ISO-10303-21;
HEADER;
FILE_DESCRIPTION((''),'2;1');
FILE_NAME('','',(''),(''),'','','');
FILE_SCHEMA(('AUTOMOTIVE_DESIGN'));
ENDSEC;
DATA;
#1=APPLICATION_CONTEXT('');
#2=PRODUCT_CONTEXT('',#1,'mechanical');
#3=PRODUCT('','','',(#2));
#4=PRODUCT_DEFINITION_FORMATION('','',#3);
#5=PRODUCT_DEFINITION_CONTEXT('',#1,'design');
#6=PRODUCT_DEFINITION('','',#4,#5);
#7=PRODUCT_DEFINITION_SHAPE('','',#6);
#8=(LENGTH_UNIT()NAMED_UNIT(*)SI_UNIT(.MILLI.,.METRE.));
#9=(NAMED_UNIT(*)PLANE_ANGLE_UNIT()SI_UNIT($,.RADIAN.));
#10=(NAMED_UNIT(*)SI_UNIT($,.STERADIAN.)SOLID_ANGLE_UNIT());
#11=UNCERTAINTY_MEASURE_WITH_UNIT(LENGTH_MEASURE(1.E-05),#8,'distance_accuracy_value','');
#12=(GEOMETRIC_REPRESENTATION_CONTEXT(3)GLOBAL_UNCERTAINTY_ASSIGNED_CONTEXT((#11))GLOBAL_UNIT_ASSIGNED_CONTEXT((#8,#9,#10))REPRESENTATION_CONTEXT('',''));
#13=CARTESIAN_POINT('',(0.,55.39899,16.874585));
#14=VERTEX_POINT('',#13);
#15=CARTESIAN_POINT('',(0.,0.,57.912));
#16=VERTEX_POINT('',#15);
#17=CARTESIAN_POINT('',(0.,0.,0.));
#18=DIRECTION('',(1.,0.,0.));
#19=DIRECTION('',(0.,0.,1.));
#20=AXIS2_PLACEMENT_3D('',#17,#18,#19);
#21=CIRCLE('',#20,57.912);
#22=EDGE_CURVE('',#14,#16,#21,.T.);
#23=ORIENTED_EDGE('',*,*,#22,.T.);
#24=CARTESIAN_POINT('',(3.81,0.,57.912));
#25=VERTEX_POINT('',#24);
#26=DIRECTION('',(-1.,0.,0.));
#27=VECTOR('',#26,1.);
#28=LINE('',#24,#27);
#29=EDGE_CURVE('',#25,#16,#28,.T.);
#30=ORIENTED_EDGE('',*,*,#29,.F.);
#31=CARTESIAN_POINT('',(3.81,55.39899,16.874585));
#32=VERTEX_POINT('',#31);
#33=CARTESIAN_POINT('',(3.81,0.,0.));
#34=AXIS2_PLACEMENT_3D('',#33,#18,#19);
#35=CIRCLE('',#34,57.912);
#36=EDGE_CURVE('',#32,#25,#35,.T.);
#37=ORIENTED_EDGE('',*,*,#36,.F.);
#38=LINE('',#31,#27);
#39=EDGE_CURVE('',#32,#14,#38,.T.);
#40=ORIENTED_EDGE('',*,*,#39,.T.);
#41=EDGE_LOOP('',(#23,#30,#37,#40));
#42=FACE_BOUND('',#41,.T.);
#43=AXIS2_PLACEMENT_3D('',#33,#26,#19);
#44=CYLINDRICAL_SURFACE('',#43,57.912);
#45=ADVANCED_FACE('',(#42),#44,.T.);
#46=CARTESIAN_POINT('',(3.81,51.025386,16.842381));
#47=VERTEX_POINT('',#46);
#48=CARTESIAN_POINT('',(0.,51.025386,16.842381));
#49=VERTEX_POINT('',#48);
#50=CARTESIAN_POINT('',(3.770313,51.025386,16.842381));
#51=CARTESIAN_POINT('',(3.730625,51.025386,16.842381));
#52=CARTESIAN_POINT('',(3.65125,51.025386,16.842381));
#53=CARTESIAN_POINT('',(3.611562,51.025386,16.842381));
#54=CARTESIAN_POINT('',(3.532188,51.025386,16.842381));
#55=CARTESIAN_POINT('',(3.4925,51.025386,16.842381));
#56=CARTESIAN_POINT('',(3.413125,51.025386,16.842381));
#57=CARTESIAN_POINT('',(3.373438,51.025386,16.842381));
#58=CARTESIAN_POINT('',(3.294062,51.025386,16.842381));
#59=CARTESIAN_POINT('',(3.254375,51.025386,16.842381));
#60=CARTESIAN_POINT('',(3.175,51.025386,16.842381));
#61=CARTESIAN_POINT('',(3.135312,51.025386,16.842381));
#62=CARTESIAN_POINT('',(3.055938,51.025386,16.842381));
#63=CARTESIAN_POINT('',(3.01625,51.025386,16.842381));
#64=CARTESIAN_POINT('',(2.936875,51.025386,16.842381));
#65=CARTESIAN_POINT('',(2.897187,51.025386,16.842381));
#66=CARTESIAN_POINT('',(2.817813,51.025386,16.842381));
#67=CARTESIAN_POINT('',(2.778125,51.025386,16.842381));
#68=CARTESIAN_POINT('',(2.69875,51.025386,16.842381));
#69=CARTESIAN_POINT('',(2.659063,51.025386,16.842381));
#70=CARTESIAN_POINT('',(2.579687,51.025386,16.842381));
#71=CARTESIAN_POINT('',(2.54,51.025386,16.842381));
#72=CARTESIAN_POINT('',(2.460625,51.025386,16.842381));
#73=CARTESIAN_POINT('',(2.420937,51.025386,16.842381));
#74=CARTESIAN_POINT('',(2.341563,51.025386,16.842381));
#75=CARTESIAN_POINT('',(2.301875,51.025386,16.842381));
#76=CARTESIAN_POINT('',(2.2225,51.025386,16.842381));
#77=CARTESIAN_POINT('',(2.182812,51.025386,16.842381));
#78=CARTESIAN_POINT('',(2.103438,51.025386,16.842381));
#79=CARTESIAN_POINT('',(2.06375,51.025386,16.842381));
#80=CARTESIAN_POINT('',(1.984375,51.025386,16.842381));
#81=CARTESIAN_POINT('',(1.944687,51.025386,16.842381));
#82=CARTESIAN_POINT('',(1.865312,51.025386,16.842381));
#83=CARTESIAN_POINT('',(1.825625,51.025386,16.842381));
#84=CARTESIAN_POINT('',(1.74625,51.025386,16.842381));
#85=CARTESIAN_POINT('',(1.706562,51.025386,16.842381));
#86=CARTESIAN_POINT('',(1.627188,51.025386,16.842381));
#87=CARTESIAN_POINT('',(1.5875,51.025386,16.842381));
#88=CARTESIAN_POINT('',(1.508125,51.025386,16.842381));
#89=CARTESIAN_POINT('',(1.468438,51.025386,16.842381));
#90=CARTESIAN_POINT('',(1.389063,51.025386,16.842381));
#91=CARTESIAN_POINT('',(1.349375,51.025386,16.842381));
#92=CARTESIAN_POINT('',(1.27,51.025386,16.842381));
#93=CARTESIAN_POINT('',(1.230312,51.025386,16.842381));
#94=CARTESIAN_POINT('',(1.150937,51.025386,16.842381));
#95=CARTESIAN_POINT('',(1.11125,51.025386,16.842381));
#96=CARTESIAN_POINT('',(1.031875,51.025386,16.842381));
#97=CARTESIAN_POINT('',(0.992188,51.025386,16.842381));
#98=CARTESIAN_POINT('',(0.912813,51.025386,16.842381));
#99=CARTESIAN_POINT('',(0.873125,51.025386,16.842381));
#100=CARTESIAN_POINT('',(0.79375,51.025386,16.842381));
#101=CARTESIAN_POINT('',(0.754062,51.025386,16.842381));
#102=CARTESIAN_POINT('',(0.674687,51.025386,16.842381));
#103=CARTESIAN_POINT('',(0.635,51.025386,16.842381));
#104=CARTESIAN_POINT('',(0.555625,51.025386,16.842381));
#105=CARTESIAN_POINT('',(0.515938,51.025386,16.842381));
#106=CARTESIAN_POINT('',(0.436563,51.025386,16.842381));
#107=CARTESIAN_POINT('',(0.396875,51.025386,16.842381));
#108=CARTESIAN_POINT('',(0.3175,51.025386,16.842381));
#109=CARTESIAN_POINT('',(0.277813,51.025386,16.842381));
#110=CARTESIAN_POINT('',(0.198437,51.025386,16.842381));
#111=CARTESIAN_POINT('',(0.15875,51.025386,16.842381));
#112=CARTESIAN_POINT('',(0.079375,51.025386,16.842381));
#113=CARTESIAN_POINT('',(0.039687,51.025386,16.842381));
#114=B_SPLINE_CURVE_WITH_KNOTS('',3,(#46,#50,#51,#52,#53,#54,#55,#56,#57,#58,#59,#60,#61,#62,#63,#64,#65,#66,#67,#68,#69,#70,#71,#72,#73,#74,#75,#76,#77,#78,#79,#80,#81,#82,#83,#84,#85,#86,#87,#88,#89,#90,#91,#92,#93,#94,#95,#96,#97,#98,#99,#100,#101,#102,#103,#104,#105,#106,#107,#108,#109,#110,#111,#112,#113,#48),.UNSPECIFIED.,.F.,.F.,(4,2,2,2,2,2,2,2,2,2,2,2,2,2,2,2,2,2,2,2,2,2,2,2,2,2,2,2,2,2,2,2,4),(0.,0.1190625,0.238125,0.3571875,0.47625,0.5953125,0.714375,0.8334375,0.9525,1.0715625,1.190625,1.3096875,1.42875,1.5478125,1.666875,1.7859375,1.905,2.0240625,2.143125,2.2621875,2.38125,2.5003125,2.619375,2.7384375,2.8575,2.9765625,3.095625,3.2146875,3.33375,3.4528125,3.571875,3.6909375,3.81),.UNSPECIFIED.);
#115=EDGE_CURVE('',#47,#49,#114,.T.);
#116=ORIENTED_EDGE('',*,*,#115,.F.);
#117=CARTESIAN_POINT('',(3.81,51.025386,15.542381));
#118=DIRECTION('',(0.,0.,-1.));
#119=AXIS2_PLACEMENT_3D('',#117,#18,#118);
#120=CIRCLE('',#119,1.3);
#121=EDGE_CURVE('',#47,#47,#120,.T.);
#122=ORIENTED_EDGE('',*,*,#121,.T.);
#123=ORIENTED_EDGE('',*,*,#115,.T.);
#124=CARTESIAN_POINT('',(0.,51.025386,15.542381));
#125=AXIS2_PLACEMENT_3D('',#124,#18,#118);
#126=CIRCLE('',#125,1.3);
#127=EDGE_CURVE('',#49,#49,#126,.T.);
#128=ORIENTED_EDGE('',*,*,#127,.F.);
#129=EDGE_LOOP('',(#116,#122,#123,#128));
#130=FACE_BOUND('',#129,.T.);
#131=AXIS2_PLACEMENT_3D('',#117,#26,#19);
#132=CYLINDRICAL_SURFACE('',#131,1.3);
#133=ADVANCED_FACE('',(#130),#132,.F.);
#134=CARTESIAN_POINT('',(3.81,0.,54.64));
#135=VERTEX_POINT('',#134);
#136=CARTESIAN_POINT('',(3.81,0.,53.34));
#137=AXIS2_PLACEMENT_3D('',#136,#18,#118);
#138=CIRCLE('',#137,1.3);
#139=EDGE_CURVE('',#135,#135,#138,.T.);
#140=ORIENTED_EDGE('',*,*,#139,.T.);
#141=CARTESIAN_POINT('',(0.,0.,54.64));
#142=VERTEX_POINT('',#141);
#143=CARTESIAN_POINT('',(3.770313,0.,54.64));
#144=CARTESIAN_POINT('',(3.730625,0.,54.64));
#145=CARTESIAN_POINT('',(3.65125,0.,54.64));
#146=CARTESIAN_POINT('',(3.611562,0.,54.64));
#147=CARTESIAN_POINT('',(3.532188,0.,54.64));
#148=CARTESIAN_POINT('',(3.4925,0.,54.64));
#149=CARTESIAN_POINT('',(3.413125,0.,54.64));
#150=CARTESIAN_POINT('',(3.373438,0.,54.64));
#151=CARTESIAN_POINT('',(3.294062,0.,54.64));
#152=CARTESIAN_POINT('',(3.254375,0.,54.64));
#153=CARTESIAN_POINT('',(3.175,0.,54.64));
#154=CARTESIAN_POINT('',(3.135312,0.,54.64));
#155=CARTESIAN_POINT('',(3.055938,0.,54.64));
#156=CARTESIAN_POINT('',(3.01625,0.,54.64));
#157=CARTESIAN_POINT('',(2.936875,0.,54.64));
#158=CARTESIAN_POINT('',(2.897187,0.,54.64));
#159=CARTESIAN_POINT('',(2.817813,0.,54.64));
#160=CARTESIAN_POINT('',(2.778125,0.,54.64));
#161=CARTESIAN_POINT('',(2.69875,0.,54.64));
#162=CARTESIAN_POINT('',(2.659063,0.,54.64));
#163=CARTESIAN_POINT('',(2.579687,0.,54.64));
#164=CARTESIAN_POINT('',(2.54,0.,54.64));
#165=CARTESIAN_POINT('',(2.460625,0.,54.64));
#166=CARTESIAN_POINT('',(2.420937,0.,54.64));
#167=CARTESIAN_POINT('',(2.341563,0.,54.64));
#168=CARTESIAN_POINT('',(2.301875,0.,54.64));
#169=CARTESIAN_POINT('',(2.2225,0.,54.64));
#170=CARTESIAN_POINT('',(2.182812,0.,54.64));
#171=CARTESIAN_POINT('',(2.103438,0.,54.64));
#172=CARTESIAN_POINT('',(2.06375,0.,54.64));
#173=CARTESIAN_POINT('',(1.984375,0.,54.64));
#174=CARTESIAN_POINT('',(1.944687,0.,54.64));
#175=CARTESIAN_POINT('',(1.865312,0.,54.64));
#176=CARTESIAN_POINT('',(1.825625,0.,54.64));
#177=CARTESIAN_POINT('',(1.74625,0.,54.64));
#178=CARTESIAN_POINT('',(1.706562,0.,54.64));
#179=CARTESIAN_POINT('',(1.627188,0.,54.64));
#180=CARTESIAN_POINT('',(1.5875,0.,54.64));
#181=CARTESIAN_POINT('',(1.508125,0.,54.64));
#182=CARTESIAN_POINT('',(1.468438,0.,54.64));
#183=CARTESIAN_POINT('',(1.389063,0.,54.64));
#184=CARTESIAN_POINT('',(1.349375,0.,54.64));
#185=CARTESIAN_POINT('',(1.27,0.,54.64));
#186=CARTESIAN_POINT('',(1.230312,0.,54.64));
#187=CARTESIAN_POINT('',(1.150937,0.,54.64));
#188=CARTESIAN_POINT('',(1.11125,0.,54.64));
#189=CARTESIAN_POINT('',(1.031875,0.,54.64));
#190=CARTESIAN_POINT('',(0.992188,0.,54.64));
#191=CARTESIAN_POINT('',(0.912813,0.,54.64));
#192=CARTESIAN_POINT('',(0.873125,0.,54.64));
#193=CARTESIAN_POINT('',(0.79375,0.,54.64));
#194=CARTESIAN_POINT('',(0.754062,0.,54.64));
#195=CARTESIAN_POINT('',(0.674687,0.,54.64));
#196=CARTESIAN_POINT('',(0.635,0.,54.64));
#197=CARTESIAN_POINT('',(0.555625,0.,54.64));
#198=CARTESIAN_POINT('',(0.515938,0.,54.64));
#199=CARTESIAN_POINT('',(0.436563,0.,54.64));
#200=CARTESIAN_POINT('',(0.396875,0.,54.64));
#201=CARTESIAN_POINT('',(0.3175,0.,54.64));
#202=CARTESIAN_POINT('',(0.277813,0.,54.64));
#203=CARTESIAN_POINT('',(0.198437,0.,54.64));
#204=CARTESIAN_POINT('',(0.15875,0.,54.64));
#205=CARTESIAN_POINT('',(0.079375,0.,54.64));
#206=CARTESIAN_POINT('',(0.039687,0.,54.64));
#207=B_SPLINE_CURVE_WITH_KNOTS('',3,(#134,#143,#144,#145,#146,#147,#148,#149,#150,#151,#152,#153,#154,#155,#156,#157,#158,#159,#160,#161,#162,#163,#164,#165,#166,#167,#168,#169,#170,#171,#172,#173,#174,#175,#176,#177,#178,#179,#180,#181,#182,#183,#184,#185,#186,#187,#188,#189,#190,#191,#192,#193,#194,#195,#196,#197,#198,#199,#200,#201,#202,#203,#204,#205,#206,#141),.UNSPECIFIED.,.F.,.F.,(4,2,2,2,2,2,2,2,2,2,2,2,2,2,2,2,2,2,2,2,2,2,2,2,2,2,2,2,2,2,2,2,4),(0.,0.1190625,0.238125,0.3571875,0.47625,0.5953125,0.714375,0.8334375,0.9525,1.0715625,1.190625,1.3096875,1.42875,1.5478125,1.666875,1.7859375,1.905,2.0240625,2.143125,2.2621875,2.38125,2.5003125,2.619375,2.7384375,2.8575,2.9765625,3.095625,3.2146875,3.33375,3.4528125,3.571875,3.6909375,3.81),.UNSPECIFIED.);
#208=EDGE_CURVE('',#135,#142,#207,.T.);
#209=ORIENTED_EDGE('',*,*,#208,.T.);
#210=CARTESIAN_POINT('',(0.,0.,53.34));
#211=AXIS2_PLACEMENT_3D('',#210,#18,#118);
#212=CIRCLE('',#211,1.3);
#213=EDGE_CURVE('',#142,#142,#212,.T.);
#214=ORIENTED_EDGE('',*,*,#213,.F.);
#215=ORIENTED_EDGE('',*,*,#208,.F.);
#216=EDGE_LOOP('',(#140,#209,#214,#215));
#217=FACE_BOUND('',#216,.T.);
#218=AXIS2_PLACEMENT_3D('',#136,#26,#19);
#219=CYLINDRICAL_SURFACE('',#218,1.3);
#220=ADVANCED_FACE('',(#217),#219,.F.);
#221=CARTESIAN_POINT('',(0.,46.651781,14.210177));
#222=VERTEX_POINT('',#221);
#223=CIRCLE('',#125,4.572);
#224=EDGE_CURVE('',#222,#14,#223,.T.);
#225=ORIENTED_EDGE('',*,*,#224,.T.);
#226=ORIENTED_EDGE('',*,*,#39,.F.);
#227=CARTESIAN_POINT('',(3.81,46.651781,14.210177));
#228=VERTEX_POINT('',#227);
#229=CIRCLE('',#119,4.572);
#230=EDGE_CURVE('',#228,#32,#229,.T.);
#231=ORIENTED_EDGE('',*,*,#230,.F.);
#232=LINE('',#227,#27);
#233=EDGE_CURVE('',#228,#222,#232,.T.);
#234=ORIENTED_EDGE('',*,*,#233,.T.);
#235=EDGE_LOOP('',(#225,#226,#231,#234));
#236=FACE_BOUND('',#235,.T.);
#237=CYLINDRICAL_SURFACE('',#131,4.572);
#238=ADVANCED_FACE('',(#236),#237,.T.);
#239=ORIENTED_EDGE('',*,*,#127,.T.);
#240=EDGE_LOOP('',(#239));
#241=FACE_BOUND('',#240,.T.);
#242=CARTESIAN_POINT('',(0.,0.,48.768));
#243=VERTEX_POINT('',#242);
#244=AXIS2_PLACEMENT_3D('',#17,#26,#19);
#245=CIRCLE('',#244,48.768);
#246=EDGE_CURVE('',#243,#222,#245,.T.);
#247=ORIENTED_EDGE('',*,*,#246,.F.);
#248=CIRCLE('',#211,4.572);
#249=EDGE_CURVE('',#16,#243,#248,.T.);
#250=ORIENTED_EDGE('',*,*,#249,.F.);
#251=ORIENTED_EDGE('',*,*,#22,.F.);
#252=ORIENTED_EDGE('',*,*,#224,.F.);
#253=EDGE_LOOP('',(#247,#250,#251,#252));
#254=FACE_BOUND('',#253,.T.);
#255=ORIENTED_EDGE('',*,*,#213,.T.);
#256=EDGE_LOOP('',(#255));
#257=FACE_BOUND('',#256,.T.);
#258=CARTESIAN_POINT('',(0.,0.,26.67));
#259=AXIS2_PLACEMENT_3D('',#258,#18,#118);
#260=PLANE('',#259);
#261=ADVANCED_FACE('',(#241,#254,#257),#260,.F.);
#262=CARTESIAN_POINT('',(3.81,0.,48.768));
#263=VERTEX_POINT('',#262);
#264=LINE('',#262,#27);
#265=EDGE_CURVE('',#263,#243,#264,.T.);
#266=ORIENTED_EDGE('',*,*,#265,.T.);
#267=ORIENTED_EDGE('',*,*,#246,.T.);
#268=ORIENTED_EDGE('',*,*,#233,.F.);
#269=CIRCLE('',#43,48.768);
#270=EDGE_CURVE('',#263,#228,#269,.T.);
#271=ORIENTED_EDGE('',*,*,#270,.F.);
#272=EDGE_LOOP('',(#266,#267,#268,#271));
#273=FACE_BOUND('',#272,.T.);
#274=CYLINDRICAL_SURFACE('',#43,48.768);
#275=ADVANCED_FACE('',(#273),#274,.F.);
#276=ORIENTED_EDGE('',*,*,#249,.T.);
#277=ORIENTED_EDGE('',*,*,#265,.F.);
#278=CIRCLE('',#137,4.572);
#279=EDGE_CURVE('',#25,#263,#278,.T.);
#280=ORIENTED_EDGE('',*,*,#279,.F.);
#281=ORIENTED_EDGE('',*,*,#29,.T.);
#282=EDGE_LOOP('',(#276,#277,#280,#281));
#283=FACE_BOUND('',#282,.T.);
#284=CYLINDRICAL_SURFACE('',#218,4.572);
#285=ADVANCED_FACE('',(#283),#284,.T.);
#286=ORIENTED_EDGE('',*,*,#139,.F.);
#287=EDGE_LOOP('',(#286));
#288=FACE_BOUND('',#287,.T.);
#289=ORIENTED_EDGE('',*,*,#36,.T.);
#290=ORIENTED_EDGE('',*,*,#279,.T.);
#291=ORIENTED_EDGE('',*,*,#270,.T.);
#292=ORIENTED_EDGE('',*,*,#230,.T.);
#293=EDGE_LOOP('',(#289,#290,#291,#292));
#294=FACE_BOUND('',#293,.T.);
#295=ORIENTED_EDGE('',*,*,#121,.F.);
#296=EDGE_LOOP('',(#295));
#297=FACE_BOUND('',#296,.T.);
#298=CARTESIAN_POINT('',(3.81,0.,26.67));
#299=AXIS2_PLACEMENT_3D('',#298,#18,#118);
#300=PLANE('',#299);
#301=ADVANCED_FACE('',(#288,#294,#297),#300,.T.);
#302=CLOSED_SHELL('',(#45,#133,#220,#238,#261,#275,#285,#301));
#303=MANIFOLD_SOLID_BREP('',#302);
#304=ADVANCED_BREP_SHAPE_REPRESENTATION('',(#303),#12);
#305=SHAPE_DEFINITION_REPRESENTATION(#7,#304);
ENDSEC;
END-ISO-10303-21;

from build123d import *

# Parameters (mm, degrees)
ESQUISSE1_R        = 1.3
BOSS_EXTRU_1_DEPTH = 3.81


with BuildPart() as part:
    # Esquisse1 → Boss.-Extru.1 (new body)
    with BuildSketch(Plane(origin=(0, 0, 0), x_dir=(0, 0, -1), z_dir=(1, 0, 0))):
        with BuildLine():
            ThreePointArc((-48.768, 0), (-39.187496282, 29.028571429), (-14.210176871, 46.651781288))
            ThreePointArc((-14.210176871, 46.651781288), (-11.168776457, 52.357589865), (-16.874585034, 55.398990279))
            ThreePointArc((-16.874585034, 55.398990279), (-46.535151834, 34.471428571), (-57.912, 0))
            ThreePointArc((-57.912, 0), (-53.34, -4.572), (-48.768, 0))
        make_face()
        with Locations(Location((-53.34, 0, 0), (0, 0, 180))):
            Circle(ESQUISSE1_R, mode=Mode.SUBTRACT)
        with Locations(Location((-15.542380952, 51.025385783, 0), (0, 0, 180))):
            Circle(ESQUISSE1_R, mode=Mode.SUBTRACT)
    extrude(amount=BOSS_EXTRU_1_DEPTH)


solid = part.part
